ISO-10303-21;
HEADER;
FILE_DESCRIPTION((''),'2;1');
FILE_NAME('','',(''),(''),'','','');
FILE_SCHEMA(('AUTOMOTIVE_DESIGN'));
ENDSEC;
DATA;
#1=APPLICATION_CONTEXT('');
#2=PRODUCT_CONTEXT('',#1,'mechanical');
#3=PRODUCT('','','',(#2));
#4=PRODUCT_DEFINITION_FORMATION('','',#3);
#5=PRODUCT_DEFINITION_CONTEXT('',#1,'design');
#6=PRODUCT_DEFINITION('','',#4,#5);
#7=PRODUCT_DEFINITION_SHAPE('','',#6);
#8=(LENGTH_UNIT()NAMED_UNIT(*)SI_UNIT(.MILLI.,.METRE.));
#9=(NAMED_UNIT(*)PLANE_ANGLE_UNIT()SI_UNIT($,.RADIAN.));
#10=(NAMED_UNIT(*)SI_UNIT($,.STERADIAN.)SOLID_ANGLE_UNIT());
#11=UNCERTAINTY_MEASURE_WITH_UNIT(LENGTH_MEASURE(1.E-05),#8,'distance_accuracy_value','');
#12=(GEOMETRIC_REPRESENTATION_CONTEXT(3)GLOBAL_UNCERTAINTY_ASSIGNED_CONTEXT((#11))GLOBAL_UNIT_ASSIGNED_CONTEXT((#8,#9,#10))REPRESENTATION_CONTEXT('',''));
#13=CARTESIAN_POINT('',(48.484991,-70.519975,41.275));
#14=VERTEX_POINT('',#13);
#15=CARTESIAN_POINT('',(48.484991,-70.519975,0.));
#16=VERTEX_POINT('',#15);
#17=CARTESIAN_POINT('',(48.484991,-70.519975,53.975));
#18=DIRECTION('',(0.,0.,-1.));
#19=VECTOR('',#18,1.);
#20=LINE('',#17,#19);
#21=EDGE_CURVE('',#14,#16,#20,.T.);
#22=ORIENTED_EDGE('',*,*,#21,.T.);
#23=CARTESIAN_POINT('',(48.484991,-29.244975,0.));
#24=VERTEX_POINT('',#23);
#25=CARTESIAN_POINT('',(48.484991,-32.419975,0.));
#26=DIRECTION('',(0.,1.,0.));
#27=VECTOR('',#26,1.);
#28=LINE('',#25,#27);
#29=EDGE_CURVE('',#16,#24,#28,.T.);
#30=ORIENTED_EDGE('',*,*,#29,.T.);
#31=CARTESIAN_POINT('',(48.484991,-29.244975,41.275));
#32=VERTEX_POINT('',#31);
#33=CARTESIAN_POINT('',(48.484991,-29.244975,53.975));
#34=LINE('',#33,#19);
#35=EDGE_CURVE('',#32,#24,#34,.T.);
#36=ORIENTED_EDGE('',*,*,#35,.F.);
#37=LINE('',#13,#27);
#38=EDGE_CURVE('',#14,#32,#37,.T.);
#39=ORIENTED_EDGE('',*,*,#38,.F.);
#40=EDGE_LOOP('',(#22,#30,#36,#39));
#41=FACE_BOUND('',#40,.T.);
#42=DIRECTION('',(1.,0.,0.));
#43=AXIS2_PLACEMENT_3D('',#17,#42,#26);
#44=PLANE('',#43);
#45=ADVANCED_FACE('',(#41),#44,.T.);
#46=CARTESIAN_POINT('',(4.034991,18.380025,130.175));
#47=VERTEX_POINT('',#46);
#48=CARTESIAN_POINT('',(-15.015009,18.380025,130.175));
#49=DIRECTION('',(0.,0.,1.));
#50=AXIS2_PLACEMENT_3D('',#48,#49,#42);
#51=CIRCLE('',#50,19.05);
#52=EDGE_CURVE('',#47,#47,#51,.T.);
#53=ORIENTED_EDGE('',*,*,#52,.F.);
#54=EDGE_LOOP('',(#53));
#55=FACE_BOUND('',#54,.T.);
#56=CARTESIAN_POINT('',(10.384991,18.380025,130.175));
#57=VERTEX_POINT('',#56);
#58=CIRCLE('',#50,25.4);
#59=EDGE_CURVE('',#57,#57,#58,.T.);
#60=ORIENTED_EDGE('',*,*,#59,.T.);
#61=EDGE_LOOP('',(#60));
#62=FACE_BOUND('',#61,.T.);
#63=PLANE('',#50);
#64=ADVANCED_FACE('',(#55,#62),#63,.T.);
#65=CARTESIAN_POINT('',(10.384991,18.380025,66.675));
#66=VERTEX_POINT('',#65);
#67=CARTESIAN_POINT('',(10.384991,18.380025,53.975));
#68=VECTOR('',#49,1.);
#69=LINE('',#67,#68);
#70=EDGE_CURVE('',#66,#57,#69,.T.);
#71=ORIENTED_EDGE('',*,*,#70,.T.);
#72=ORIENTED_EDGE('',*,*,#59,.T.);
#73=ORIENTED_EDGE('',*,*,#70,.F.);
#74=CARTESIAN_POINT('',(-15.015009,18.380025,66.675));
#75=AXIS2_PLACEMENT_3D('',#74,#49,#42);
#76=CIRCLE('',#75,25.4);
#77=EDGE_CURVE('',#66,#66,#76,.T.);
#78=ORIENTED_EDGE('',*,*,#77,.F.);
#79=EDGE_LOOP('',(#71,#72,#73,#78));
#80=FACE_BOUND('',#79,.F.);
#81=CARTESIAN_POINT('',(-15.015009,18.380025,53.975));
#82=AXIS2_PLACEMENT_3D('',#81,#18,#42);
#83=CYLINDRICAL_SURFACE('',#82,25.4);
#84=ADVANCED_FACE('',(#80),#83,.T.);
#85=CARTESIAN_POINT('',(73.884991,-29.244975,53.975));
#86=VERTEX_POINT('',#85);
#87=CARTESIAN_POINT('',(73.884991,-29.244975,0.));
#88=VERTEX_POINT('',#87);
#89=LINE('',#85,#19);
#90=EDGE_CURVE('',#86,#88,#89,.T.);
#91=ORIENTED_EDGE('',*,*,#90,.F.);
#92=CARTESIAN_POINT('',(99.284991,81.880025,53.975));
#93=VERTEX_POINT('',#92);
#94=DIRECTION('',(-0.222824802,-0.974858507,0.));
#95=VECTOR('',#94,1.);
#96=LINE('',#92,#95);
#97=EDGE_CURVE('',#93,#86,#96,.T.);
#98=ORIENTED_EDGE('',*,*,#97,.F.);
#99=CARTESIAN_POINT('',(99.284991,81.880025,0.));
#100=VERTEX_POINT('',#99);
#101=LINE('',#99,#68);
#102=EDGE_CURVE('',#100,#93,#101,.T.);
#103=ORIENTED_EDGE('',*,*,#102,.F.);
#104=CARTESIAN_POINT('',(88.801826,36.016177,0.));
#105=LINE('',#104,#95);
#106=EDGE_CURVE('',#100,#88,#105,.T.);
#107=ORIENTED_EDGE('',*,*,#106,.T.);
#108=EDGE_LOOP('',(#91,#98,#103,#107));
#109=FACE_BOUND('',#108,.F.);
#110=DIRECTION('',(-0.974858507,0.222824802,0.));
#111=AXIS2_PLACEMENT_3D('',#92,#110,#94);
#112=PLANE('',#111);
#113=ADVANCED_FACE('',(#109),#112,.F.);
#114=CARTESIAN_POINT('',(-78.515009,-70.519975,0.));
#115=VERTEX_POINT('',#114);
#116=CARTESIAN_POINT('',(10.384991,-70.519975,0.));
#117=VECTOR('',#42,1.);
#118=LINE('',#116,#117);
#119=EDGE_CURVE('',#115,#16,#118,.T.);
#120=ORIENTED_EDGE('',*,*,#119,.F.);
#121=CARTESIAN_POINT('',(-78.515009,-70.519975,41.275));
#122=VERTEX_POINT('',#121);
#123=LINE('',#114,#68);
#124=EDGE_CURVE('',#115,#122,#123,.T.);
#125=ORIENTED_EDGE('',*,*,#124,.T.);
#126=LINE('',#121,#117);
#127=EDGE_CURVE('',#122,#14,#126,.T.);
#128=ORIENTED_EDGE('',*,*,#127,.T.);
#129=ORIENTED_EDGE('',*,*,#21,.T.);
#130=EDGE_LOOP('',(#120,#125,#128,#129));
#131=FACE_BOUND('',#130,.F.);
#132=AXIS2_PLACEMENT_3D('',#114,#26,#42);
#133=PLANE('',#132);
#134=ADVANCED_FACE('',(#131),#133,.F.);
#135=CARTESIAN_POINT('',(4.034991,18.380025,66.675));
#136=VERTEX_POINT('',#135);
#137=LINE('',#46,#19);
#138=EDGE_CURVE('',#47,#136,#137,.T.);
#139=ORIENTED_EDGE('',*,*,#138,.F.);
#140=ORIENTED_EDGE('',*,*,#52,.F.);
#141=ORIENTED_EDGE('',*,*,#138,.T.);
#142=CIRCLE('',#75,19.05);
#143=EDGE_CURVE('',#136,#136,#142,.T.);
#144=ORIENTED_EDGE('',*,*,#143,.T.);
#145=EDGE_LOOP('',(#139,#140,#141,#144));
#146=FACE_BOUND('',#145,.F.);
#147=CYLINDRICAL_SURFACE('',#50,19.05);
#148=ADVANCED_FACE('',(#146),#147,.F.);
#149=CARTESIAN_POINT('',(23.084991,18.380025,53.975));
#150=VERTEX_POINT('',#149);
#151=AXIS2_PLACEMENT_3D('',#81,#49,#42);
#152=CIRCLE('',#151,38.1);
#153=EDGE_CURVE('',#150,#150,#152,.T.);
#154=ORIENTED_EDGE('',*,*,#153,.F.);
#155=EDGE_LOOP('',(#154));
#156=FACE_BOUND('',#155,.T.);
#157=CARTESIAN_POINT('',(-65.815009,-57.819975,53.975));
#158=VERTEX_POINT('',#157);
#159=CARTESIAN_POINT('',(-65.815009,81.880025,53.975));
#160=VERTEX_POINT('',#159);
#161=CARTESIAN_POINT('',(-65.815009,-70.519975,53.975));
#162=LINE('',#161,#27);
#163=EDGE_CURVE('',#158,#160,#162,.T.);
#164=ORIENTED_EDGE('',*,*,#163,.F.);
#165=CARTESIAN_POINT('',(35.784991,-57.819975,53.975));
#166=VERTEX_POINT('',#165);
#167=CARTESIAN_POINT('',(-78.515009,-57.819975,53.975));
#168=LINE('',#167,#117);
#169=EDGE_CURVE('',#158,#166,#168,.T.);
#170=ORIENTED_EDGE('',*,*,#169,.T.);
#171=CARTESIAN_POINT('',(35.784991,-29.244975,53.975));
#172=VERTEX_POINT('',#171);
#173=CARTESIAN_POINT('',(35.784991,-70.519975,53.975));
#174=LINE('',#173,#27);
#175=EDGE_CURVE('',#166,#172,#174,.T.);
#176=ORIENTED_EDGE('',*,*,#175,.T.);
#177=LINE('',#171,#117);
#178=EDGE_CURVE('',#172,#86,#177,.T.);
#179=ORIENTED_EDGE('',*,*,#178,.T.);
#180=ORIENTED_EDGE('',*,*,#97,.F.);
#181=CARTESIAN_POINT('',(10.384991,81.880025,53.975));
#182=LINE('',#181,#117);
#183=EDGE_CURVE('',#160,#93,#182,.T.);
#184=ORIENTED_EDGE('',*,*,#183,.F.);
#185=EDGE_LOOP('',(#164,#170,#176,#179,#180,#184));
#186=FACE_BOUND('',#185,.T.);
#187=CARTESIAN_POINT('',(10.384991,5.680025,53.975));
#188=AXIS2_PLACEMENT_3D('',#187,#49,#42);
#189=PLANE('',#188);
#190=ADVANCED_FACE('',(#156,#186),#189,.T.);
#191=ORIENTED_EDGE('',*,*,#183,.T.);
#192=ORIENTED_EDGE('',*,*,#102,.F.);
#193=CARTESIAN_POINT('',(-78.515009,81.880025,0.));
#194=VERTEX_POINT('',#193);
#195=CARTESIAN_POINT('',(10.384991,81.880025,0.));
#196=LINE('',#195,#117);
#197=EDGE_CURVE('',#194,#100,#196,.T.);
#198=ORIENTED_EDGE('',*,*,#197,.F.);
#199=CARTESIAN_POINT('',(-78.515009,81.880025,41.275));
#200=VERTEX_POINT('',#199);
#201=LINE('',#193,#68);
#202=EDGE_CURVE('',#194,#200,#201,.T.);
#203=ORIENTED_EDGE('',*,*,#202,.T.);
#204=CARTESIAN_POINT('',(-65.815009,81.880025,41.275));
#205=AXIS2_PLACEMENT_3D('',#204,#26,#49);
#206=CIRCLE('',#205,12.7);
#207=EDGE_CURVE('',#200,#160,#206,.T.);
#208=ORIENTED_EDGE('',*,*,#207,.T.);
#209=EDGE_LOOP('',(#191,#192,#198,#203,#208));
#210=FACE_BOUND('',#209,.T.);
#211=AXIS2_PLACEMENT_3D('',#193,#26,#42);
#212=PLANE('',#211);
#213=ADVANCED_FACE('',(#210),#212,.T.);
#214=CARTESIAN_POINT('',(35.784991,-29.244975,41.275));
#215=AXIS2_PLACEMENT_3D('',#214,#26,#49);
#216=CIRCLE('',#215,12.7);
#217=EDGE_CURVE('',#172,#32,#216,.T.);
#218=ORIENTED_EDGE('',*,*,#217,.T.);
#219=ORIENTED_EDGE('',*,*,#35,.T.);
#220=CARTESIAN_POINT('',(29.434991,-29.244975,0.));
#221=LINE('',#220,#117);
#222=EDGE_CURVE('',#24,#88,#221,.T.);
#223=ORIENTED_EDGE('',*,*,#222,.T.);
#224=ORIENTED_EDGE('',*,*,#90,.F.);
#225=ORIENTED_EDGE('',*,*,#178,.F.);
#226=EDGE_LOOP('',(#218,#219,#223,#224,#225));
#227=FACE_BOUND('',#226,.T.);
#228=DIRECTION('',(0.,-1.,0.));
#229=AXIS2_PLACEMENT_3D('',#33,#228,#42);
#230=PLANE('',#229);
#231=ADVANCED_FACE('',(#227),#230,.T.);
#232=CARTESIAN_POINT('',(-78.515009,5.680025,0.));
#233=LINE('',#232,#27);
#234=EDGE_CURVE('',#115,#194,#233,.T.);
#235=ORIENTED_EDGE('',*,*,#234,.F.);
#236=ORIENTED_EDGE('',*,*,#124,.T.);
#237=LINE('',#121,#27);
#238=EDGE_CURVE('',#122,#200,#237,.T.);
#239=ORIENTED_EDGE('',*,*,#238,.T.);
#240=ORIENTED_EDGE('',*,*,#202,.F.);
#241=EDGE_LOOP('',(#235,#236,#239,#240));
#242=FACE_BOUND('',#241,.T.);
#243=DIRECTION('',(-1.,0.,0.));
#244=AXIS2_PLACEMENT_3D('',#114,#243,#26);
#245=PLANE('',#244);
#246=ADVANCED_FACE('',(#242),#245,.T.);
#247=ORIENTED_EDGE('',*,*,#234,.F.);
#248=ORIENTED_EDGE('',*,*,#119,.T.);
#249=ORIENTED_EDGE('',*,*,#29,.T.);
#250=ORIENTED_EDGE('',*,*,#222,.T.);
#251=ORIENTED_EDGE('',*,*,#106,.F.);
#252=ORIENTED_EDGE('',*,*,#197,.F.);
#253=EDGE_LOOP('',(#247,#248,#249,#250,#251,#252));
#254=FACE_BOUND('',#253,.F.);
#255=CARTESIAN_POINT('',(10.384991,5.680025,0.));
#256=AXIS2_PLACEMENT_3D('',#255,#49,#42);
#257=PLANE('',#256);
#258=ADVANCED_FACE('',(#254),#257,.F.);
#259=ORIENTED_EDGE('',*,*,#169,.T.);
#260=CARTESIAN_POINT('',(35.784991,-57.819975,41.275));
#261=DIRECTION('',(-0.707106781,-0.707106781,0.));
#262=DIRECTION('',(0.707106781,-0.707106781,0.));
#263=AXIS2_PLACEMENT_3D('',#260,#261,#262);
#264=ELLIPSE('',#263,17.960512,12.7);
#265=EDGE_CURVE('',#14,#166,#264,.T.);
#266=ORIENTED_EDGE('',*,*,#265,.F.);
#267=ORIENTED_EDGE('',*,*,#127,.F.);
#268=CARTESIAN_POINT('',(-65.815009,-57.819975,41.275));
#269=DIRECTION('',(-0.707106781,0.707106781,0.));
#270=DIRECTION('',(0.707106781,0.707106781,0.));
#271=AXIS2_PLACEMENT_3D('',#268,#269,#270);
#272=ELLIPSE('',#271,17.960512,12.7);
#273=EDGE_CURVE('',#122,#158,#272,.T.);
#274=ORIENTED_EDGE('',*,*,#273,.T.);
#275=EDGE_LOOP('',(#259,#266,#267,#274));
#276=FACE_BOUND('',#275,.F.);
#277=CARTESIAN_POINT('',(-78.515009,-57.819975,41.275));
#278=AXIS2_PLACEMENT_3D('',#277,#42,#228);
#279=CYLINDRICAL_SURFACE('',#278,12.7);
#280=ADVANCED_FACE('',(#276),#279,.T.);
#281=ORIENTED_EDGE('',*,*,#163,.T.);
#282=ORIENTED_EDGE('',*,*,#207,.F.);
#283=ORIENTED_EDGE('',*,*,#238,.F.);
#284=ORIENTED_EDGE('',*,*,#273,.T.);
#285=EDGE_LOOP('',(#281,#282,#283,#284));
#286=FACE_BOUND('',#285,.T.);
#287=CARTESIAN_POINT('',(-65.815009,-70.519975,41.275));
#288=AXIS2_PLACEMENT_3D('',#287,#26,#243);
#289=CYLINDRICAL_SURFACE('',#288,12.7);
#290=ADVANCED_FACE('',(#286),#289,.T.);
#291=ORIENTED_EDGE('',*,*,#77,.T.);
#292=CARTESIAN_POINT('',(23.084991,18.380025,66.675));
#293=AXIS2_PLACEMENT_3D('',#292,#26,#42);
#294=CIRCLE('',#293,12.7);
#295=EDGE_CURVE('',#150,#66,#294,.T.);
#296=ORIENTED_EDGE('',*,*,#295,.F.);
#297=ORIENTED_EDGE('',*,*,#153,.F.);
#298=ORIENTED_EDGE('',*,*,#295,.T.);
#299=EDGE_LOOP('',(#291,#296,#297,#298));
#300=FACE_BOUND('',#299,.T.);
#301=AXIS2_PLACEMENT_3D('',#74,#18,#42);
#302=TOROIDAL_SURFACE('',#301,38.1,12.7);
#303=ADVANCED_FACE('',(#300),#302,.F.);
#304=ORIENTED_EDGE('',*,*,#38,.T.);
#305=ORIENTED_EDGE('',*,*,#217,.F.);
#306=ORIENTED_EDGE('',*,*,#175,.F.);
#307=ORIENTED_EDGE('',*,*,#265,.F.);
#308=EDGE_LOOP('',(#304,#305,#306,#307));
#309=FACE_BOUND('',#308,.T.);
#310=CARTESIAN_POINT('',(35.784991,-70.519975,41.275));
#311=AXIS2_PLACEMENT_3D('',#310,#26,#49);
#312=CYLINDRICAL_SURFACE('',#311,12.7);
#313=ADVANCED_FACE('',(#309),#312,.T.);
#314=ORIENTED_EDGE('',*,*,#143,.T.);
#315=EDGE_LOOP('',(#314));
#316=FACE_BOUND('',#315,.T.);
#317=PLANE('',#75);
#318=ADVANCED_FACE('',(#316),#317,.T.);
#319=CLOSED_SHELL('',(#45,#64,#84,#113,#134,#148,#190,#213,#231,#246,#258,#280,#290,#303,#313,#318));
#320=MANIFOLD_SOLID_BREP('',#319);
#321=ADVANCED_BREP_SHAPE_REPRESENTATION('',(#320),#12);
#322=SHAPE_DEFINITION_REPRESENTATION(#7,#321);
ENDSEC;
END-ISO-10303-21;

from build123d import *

# Parameters (mm, degrees)
F0_W     = 177.8
F0_H     = 152.4
F1_DEPTH = 53.975
F2_R     = 25.4
F3_DEPTH = 76.2
F4_R     = 19.05
F5_DEPTH = 63.5
F6_W     = 25.4
F6_H     = 41.275
F7_DEPTH = 60.29447
F9_DEPTH = 62.03363
F10_R    = 12.7


with BuildPart() as f1:
    # F0 (on Top) → F1 (new body)
    with BuildSketch(Plane.XY):
        with Locations((10.384991, 5.680025)):
            Rectangle(F0_W, F0_H)
    extrude(amount=F1_DEPTH)

    # F2 (on face) → F3 (join)
    with BuildSketch(Plane.XY.offset(53.975)):
        with Locations((-15.015009, 18.380025)):
            Circle(F2_R)
    extrude(amount=F3_DEPTH)

    # F4 (on face) → F5 (cut)
    with BuildSketch(Plane.XY.offset(130.175)):
        with Locations((-15.015009, 18.380025)):
            Circle(F4_R)
    extrude(amount=-F5_DEPTH, mode=Mode.SUBTRACT)

    # F6 (on face) → F7 (cut)
    with BuildSketch(Plane.XY.offset(53.975)):
        with Locations((61.184991, -49.882475)):
            Rectangle(F6_W, F6_H)
    extrude(amount=-F7_DEPTH, mode=Mode.SUBTRACT)

    # F8 (on face) → F9 (cut)
    with BuildSketch(Plane.XY.offset(53.975)):
        Polygon((99.284991, 81.880025), (73.884991, -29.244975), (73.884991, -70.519975), (99.284991, -70.519975), align=None)
    extrude(amount=-F9_DEPTH, mode=Mode.SUBTRACT)

    # F10
    f10_edges = [f1.edges().sort_by_distance(p)[0] for p in [
        (-40.415009, 18.380025, 53.975),
        (-15.015009, -70.519975, 53.975),
        (48.484991, -49.882475, 53.975),
        (-78.515009, 5.680025, 53.975),
    ]]
    fillet(f10_edges, radius=F10_R)


solid = f1.part
